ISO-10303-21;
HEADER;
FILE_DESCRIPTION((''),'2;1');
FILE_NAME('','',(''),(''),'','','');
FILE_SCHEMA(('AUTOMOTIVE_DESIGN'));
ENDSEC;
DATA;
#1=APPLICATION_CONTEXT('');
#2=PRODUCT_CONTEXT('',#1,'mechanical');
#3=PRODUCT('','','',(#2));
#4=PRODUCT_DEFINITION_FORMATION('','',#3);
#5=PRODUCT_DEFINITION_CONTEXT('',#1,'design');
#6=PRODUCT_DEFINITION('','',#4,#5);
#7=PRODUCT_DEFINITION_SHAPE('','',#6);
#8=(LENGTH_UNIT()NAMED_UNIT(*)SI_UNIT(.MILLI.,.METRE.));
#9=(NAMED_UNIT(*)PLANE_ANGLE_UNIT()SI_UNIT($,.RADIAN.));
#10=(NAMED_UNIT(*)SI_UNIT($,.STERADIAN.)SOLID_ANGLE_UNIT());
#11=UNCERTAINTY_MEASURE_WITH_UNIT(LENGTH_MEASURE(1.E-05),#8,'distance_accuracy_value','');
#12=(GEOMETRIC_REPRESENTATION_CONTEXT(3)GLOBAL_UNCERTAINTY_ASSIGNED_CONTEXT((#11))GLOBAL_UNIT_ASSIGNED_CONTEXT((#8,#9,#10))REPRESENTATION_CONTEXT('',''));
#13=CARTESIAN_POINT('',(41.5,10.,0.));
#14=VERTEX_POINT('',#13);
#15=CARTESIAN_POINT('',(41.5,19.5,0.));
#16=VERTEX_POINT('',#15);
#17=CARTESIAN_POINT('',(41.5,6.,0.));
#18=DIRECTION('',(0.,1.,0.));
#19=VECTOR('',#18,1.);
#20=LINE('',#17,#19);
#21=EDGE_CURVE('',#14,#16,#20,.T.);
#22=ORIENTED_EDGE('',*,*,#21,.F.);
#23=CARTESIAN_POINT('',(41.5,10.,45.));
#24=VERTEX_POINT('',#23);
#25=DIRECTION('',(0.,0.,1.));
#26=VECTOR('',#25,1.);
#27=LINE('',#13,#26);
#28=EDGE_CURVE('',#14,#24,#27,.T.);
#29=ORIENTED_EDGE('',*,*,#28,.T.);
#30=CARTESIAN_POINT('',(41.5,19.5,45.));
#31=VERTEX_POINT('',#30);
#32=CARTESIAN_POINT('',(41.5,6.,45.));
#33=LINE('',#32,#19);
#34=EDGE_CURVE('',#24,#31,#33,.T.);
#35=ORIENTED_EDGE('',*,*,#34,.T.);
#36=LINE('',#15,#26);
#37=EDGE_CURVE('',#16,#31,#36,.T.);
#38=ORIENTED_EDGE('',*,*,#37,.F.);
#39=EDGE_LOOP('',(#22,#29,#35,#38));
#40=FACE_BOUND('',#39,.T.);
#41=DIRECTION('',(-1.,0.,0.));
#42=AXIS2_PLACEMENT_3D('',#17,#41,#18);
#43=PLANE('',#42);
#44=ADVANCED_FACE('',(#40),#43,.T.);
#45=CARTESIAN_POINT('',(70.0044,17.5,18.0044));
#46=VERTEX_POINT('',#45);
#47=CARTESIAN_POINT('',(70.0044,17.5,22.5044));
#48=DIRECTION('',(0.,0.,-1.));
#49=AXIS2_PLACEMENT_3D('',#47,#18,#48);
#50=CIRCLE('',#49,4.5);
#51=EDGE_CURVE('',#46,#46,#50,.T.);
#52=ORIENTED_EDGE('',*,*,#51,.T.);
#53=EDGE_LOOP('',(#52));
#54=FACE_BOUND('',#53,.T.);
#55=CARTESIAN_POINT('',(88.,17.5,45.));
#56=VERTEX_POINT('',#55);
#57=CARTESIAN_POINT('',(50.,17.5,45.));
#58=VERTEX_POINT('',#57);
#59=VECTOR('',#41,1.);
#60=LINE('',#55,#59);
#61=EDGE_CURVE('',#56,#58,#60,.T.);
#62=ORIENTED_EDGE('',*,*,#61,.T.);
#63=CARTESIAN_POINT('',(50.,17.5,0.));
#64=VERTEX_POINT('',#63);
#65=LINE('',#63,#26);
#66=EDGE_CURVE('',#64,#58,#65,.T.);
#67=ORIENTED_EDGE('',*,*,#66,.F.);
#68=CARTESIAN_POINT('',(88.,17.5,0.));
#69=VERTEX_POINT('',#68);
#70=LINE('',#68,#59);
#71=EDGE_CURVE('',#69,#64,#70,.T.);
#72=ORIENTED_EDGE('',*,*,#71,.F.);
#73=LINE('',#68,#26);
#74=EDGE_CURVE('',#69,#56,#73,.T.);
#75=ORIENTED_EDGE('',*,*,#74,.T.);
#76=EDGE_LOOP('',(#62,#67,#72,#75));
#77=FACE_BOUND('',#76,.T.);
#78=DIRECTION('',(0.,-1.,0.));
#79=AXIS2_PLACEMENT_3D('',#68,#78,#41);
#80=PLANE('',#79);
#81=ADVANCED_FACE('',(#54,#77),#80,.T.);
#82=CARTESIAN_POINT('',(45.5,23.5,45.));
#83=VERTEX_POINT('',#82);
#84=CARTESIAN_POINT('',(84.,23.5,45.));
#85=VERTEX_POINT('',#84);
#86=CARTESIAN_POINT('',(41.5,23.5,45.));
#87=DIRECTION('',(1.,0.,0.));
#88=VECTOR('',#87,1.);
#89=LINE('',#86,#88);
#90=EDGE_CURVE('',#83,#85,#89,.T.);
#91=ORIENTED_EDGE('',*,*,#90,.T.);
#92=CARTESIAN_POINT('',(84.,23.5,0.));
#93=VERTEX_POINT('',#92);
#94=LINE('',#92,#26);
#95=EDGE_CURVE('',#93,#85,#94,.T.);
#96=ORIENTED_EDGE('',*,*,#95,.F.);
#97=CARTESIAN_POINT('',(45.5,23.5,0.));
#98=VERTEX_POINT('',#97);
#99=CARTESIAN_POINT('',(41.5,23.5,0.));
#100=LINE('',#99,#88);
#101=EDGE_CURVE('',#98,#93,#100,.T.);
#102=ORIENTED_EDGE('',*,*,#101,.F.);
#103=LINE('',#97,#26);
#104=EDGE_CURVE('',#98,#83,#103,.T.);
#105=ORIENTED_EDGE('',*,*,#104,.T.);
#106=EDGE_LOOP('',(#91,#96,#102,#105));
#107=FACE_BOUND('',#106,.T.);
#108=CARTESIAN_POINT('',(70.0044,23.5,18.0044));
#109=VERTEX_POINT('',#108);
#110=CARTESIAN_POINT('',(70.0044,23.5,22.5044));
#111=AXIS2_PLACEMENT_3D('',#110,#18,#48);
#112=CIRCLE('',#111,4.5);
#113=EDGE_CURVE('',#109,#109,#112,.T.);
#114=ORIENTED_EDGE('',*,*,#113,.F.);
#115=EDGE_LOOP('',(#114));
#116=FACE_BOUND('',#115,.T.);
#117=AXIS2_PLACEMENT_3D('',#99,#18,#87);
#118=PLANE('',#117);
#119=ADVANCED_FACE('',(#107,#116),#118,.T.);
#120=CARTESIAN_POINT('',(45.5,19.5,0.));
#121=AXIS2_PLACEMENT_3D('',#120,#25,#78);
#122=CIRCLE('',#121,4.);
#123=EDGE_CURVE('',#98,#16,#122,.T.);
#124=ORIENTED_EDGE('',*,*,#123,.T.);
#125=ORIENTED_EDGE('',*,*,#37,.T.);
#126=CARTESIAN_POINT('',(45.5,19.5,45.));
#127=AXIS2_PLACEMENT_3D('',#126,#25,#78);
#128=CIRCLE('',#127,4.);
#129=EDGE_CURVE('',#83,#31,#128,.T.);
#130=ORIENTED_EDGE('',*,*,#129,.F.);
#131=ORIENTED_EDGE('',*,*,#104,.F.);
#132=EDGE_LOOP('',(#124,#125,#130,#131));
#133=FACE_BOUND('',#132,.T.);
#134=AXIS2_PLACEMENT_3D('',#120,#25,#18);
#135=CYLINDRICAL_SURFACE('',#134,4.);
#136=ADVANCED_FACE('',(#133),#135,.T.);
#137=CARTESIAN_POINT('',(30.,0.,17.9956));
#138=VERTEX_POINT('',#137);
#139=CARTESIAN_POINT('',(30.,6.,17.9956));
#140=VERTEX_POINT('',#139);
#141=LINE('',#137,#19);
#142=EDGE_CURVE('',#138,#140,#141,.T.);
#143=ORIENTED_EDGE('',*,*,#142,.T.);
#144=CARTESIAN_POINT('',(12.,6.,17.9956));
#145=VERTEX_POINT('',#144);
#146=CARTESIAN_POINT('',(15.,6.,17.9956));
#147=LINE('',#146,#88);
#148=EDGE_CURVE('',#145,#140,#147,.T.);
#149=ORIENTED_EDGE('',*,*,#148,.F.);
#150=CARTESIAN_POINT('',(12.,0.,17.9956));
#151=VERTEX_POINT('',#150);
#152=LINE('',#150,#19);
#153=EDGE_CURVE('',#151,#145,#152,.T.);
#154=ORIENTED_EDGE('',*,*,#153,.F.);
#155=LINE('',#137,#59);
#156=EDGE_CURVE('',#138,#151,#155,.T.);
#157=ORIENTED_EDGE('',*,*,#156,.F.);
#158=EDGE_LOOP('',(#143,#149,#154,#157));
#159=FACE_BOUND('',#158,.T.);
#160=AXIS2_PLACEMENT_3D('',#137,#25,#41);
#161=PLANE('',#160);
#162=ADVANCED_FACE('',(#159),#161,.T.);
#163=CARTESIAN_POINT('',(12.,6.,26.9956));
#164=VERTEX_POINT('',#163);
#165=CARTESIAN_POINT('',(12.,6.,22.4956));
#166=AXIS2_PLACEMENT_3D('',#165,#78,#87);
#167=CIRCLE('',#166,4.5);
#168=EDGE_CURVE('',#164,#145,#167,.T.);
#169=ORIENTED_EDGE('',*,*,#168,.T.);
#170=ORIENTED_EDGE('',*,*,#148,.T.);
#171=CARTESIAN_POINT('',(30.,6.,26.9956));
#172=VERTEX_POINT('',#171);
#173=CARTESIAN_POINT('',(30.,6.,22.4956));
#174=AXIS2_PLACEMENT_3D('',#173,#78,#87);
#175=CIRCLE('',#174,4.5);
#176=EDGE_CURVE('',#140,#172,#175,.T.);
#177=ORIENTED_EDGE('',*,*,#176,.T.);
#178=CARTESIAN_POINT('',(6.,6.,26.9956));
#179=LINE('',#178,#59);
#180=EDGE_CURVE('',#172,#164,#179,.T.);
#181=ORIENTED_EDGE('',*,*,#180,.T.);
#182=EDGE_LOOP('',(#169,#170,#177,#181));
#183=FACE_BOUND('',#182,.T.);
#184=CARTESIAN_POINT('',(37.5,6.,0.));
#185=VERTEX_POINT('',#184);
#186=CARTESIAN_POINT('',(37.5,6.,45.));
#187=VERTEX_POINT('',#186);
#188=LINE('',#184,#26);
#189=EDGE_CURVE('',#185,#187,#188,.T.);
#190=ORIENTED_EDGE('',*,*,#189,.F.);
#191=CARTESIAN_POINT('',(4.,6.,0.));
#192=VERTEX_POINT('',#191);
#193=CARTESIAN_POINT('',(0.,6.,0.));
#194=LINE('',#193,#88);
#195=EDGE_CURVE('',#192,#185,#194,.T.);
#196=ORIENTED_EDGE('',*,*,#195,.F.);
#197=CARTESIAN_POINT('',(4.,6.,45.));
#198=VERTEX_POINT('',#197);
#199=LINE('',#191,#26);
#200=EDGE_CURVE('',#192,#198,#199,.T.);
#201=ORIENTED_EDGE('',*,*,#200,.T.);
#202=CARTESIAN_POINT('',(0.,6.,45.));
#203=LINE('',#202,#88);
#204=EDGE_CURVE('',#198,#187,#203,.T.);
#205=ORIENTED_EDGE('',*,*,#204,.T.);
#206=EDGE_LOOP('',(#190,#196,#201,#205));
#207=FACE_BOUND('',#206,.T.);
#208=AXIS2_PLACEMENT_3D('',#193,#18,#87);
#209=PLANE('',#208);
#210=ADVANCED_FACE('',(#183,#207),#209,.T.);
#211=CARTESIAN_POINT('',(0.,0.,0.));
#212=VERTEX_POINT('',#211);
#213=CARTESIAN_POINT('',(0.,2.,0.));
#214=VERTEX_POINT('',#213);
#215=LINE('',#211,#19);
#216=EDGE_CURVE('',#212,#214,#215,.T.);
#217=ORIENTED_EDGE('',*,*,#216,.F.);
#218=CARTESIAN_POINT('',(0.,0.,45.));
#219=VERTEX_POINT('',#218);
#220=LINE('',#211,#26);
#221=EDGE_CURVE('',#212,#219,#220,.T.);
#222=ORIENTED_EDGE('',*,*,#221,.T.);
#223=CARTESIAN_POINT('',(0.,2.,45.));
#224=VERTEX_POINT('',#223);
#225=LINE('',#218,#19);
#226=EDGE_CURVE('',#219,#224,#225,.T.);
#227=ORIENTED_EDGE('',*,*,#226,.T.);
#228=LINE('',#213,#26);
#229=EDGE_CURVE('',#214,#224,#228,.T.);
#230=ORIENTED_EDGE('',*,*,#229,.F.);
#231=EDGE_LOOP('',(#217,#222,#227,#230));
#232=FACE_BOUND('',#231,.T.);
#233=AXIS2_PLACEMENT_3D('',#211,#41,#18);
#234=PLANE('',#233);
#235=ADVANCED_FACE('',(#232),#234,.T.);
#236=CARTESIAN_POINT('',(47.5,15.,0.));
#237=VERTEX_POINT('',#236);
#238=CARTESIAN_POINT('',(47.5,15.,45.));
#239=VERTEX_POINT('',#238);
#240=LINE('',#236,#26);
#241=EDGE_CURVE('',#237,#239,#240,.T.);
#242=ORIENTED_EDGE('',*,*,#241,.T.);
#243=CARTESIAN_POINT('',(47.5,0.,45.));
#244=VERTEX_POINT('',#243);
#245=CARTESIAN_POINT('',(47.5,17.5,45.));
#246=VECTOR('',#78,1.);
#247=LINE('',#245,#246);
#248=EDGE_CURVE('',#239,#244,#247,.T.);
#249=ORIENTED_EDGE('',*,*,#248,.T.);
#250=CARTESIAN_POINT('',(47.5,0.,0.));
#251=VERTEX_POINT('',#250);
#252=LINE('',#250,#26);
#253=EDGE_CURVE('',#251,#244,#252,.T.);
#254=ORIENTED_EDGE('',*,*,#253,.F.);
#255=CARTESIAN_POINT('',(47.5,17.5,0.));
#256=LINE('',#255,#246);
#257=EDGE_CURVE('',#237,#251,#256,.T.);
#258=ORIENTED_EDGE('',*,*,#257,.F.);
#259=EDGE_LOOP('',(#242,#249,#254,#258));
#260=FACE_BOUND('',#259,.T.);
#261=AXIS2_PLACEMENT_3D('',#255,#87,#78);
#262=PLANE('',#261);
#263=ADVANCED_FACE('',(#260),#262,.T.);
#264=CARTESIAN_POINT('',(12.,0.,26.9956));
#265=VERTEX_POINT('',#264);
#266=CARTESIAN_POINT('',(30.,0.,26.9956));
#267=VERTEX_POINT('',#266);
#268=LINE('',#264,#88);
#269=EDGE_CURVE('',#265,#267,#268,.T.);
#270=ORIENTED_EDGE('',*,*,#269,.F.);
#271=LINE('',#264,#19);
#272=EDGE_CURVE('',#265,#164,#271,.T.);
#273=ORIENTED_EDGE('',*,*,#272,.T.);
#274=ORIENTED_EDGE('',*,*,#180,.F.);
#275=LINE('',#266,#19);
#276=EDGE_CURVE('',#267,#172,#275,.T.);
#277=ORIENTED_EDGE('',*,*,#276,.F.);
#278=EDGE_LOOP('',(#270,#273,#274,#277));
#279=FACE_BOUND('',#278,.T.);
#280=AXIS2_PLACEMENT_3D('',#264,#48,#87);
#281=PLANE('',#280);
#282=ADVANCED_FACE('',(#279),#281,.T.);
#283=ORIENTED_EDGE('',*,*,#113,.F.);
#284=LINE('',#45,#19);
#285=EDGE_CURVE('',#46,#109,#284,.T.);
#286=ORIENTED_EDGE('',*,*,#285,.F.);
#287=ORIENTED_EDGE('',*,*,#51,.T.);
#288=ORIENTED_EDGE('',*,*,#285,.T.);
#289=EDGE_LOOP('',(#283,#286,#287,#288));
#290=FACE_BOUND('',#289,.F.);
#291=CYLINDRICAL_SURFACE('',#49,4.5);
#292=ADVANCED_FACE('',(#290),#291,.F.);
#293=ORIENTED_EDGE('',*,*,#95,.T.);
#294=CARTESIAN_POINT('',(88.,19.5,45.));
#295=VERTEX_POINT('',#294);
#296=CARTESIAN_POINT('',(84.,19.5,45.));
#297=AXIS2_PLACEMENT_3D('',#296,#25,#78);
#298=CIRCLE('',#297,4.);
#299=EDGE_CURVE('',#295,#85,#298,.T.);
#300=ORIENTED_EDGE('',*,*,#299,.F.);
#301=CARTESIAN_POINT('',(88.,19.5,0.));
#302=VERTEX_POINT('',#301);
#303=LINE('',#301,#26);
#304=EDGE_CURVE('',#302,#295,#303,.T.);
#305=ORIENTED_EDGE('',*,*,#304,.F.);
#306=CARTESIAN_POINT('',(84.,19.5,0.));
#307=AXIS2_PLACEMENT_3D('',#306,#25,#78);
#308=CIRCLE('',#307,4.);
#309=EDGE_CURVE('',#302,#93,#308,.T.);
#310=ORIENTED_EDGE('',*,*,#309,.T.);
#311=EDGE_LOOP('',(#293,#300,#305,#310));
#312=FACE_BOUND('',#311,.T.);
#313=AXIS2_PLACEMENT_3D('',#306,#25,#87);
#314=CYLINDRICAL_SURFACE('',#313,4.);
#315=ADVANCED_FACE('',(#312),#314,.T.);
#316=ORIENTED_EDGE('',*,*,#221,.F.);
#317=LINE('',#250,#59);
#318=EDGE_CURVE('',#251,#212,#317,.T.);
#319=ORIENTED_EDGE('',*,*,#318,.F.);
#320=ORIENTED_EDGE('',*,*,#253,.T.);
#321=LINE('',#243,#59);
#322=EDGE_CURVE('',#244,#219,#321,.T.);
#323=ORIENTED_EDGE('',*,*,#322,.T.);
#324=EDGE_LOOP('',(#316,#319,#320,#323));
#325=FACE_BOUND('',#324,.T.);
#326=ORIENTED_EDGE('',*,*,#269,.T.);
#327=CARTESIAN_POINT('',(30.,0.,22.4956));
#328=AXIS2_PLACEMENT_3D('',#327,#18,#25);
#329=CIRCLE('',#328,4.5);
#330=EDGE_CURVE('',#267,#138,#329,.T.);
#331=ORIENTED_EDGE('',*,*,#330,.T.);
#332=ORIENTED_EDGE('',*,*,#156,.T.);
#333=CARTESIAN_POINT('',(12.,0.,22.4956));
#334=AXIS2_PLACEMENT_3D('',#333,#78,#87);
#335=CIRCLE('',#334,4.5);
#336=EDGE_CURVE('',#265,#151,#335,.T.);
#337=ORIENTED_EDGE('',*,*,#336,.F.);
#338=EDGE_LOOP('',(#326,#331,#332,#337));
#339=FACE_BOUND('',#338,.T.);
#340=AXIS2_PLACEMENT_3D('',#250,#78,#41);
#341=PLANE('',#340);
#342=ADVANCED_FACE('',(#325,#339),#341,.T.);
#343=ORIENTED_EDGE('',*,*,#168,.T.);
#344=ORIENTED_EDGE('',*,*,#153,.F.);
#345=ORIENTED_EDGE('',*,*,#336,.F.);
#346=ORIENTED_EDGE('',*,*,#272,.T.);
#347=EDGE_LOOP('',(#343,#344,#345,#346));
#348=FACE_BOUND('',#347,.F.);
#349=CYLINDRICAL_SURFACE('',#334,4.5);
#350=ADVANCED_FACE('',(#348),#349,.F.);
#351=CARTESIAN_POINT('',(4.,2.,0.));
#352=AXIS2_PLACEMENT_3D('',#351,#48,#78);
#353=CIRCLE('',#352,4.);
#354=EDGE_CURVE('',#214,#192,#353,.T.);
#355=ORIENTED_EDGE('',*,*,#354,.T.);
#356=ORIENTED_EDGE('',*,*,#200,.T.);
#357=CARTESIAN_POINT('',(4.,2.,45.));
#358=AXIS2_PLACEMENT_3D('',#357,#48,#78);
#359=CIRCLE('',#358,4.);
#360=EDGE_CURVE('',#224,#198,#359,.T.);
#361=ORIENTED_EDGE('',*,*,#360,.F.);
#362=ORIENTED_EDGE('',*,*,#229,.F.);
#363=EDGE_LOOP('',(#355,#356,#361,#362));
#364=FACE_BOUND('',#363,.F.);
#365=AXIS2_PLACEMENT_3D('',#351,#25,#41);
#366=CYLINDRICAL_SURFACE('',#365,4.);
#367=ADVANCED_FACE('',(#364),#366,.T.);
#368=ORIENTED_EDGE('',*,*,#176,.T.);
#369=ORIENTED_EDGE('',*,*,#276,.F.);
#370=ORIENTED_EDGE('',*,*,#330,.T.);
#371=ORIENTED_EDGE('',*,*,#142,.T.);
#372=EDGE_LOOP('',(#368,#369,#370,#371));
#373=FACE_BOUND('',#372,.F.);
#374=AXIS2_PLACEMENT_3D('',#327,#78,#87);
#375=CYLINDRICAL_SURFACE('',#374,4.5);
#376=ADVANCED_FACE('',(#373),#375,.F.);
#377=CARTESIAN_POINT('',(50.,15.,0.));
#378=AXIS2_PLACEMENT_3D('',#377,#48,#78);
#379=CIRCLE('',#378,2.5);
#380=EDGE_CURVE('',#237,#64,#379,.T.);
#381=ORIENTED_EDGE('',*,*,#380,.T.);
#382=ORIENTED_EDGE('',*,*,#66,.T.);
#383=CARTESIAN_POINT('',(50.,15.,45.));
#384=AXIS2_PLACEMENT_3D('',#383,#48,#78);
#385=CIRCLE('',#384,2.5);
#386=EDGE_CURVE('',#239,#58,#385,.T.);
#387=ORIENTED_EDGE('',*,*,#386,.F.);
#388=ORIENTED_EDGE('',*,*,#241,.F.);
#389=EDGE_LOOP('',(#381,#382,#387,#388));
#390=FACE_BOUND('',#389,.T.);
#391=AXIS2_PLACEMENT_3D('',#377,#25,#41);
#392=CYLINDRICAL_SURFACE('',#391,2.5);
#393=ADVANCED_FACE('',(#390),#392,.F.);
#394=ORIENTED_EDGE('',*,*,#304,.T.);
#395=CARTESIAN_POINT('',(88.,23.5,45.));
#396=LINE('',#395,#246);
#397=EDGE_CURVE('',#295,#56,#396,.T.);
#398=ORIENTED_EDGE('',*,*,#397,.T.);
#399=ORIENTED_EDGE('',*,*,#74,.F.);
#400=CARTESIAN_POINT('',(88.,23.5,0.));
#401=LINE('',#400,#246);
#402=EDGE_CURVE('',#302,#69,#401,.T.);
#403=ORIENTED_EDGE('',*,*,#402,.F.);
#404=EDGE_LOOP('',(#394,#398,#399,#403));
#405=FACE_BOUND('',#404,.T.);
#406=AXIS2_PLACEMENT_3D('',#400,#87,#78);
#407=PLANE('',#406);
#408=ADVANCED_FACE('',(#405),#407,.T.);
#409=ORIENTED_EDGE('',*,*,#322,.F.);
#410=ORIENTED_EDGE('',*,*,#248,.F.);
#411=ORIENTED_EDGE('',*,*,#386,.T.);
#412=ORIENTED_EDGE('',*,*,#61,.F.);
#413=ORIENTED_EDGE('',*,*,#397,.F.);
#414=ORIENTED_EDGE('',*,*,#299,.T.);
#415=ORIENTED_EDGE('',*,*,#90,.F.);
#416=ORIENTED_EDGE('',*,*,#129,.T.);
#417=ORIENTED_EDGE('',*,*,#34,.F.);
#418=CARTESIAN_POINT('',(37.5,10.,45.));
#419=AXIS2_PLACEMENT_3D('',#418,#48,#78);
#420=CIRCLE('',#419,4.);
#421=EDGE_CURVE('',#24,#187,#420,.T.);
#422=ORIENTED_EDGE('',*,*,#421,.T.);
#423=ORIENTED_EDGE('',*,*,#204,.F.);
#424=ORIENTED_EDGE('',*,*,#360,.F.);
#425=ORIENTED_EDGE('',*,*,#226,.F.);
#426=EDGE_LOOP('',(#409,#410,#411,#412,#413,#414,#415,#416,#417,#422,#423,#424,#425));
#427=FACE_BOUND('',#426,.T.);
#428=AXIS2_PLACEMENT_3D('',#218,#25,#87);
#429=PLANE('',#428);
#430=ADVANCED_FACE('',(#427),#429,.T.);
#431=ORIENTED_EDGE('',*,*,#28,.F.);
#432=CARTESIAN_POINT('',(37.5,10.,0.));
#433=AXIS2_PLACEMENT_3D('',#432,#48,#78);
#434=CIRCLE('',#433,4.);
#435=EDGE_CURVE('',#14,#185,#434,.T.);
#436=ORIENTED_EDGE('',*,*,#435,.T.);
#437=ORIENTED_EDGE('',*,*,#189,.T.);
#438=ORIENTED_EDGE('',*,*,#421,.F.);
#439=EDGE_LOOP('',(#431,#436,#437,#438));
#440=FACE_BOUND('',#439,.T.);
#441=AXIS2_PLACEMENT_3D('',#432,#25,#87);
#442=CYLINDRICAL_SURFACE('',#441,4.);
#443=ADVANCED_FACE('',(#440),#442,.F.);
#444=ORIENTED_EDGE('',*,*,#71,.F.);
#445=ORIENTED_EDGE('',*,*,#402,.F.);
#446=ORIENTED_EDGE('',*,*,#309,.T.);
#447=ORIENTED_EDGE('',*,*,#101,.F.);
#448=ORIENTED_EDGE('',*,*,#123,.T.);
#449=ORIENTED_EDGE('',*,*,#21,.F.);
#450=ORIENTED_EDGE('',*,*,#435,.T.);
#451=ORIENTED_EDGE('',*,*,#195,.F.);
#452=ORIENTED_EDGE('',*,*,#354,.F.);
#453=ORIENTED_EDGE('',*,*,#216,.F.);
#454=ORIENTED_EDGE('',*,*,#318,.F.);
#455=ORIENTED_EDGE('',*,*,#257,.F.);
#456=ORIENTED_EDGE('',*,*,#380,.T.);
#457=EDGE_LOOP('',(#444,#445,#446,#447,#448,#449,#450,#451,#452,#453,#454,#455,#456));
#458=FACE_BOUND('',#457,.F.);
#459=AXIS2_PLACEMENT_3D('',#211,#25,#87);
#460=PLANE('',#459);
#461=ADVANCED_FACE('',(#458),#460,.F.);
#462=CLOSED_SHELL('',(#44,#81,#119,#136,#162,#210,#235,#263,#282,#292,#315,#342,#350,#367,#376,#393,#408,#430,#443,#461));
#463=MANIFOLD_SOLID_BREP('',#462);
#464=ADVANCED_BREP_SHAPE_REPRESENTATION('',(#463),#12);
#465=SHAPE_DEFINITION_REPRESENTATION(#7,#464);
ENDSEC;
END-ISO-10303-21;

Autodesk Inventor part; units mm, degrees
ref_plane "YZ Plane" through (0, 0, 0) normal (1, 0, 0) x (0, 1, 0)
ref_plane "XZ Plane" through (0, 0, 0) normal (0, 1, 0) x (-1, 0, 0)
ref_plane "XY Plane" through (0, 0, 0) normal (0, 0, 1) x (1, 0, 0)
sketch "Sketch1" plane through (0, 0, 0) normal (0, 0, 1) x (1, 0, 0)
  line L0 (0, 0) -> (0, 6)
  line L1 (0, 6) -> (41.5, 6)
  line L2 (41.5, 6) -> (41.5, 23.5)
  line L3 (41.5, 23.5) -> (88, 23.5)
  line L4 (88, 23.5) -> (88, 17.5)
  line L5 (88, 17.5) -> (47.5, 17.5)
  line L6 (47.5, 17.5) -> (47.5, 0)
  line L7 (47.5, 0) -> (0, 0)
  dimension "d0" = 6
  dimension "d1" = 6
  dimension "d2" = 6
  dimension "d3" = 88
  dimension "d4" = 41.5
  dimension "d5" = 17.5
extrude "Extrusion1" add sketch "Sketch1" along normal blind 45
sketch "Sketch3" plane through (88, 17.5, 0) normal (0, -1, 0) x (1, 0, 0)
  line L0 (0, 0) -> (-40.5, 0) projected
  line L1 (-40.5, 0) -> (-40.5, 45) projected
  point P0 (-38, 0)
  point P1 (-88, 0)
  point P2 (-17.9956, 22.5044)
  dimension "d9" = 22.5044
  dimension "d10" = 22.5044
hole "Hole1" at (70.0044, 17.5, 22.5044) direction (0, 1, 0) diameter 9 end through all
sketch "Sketch4" plane through (0, 0, 0) normal (0, -1, 0) x (1, 0, 0)
  line L0 (47.5, 45) -> (0, 45) projected
  line L1 (47.5, 0) -> (47.5, 45) projected
  circle A0 centre (30, 22.4956) radius 4.5
  circle A1 centre (12, 22.4956) radius 4.5
  line L2 (30, 17.9956) -> (12, 17.9956)
  line L3 (12, 26.9956) -> (30, 26.9956)
  dimension "d18" = 17.5
  dimension "d19" = 18
  dimension "d20" = 22.5044
  dimension "d21" = 9
  dimension "d22" = 9
extrude "Extrusion2" cut sketch "Sketch4" against normal blind 45
fillet "Fillet2" radius 2.5 1 edges at (47.5, 17.5, 22.5)
fillet "Fillet3" radius 4 4 edges at (88, 23.5, 22.5) (41.5, 23.5, 22.5) (0, 6, 22.5) (41.5, 6, 22.5)
equation "\"d1\" = d0"
equation "\"d2\" = d0"
equation "\"d22\" = d21"
properties part number "093P45LN Bracket" material "Aluminum-6061"
